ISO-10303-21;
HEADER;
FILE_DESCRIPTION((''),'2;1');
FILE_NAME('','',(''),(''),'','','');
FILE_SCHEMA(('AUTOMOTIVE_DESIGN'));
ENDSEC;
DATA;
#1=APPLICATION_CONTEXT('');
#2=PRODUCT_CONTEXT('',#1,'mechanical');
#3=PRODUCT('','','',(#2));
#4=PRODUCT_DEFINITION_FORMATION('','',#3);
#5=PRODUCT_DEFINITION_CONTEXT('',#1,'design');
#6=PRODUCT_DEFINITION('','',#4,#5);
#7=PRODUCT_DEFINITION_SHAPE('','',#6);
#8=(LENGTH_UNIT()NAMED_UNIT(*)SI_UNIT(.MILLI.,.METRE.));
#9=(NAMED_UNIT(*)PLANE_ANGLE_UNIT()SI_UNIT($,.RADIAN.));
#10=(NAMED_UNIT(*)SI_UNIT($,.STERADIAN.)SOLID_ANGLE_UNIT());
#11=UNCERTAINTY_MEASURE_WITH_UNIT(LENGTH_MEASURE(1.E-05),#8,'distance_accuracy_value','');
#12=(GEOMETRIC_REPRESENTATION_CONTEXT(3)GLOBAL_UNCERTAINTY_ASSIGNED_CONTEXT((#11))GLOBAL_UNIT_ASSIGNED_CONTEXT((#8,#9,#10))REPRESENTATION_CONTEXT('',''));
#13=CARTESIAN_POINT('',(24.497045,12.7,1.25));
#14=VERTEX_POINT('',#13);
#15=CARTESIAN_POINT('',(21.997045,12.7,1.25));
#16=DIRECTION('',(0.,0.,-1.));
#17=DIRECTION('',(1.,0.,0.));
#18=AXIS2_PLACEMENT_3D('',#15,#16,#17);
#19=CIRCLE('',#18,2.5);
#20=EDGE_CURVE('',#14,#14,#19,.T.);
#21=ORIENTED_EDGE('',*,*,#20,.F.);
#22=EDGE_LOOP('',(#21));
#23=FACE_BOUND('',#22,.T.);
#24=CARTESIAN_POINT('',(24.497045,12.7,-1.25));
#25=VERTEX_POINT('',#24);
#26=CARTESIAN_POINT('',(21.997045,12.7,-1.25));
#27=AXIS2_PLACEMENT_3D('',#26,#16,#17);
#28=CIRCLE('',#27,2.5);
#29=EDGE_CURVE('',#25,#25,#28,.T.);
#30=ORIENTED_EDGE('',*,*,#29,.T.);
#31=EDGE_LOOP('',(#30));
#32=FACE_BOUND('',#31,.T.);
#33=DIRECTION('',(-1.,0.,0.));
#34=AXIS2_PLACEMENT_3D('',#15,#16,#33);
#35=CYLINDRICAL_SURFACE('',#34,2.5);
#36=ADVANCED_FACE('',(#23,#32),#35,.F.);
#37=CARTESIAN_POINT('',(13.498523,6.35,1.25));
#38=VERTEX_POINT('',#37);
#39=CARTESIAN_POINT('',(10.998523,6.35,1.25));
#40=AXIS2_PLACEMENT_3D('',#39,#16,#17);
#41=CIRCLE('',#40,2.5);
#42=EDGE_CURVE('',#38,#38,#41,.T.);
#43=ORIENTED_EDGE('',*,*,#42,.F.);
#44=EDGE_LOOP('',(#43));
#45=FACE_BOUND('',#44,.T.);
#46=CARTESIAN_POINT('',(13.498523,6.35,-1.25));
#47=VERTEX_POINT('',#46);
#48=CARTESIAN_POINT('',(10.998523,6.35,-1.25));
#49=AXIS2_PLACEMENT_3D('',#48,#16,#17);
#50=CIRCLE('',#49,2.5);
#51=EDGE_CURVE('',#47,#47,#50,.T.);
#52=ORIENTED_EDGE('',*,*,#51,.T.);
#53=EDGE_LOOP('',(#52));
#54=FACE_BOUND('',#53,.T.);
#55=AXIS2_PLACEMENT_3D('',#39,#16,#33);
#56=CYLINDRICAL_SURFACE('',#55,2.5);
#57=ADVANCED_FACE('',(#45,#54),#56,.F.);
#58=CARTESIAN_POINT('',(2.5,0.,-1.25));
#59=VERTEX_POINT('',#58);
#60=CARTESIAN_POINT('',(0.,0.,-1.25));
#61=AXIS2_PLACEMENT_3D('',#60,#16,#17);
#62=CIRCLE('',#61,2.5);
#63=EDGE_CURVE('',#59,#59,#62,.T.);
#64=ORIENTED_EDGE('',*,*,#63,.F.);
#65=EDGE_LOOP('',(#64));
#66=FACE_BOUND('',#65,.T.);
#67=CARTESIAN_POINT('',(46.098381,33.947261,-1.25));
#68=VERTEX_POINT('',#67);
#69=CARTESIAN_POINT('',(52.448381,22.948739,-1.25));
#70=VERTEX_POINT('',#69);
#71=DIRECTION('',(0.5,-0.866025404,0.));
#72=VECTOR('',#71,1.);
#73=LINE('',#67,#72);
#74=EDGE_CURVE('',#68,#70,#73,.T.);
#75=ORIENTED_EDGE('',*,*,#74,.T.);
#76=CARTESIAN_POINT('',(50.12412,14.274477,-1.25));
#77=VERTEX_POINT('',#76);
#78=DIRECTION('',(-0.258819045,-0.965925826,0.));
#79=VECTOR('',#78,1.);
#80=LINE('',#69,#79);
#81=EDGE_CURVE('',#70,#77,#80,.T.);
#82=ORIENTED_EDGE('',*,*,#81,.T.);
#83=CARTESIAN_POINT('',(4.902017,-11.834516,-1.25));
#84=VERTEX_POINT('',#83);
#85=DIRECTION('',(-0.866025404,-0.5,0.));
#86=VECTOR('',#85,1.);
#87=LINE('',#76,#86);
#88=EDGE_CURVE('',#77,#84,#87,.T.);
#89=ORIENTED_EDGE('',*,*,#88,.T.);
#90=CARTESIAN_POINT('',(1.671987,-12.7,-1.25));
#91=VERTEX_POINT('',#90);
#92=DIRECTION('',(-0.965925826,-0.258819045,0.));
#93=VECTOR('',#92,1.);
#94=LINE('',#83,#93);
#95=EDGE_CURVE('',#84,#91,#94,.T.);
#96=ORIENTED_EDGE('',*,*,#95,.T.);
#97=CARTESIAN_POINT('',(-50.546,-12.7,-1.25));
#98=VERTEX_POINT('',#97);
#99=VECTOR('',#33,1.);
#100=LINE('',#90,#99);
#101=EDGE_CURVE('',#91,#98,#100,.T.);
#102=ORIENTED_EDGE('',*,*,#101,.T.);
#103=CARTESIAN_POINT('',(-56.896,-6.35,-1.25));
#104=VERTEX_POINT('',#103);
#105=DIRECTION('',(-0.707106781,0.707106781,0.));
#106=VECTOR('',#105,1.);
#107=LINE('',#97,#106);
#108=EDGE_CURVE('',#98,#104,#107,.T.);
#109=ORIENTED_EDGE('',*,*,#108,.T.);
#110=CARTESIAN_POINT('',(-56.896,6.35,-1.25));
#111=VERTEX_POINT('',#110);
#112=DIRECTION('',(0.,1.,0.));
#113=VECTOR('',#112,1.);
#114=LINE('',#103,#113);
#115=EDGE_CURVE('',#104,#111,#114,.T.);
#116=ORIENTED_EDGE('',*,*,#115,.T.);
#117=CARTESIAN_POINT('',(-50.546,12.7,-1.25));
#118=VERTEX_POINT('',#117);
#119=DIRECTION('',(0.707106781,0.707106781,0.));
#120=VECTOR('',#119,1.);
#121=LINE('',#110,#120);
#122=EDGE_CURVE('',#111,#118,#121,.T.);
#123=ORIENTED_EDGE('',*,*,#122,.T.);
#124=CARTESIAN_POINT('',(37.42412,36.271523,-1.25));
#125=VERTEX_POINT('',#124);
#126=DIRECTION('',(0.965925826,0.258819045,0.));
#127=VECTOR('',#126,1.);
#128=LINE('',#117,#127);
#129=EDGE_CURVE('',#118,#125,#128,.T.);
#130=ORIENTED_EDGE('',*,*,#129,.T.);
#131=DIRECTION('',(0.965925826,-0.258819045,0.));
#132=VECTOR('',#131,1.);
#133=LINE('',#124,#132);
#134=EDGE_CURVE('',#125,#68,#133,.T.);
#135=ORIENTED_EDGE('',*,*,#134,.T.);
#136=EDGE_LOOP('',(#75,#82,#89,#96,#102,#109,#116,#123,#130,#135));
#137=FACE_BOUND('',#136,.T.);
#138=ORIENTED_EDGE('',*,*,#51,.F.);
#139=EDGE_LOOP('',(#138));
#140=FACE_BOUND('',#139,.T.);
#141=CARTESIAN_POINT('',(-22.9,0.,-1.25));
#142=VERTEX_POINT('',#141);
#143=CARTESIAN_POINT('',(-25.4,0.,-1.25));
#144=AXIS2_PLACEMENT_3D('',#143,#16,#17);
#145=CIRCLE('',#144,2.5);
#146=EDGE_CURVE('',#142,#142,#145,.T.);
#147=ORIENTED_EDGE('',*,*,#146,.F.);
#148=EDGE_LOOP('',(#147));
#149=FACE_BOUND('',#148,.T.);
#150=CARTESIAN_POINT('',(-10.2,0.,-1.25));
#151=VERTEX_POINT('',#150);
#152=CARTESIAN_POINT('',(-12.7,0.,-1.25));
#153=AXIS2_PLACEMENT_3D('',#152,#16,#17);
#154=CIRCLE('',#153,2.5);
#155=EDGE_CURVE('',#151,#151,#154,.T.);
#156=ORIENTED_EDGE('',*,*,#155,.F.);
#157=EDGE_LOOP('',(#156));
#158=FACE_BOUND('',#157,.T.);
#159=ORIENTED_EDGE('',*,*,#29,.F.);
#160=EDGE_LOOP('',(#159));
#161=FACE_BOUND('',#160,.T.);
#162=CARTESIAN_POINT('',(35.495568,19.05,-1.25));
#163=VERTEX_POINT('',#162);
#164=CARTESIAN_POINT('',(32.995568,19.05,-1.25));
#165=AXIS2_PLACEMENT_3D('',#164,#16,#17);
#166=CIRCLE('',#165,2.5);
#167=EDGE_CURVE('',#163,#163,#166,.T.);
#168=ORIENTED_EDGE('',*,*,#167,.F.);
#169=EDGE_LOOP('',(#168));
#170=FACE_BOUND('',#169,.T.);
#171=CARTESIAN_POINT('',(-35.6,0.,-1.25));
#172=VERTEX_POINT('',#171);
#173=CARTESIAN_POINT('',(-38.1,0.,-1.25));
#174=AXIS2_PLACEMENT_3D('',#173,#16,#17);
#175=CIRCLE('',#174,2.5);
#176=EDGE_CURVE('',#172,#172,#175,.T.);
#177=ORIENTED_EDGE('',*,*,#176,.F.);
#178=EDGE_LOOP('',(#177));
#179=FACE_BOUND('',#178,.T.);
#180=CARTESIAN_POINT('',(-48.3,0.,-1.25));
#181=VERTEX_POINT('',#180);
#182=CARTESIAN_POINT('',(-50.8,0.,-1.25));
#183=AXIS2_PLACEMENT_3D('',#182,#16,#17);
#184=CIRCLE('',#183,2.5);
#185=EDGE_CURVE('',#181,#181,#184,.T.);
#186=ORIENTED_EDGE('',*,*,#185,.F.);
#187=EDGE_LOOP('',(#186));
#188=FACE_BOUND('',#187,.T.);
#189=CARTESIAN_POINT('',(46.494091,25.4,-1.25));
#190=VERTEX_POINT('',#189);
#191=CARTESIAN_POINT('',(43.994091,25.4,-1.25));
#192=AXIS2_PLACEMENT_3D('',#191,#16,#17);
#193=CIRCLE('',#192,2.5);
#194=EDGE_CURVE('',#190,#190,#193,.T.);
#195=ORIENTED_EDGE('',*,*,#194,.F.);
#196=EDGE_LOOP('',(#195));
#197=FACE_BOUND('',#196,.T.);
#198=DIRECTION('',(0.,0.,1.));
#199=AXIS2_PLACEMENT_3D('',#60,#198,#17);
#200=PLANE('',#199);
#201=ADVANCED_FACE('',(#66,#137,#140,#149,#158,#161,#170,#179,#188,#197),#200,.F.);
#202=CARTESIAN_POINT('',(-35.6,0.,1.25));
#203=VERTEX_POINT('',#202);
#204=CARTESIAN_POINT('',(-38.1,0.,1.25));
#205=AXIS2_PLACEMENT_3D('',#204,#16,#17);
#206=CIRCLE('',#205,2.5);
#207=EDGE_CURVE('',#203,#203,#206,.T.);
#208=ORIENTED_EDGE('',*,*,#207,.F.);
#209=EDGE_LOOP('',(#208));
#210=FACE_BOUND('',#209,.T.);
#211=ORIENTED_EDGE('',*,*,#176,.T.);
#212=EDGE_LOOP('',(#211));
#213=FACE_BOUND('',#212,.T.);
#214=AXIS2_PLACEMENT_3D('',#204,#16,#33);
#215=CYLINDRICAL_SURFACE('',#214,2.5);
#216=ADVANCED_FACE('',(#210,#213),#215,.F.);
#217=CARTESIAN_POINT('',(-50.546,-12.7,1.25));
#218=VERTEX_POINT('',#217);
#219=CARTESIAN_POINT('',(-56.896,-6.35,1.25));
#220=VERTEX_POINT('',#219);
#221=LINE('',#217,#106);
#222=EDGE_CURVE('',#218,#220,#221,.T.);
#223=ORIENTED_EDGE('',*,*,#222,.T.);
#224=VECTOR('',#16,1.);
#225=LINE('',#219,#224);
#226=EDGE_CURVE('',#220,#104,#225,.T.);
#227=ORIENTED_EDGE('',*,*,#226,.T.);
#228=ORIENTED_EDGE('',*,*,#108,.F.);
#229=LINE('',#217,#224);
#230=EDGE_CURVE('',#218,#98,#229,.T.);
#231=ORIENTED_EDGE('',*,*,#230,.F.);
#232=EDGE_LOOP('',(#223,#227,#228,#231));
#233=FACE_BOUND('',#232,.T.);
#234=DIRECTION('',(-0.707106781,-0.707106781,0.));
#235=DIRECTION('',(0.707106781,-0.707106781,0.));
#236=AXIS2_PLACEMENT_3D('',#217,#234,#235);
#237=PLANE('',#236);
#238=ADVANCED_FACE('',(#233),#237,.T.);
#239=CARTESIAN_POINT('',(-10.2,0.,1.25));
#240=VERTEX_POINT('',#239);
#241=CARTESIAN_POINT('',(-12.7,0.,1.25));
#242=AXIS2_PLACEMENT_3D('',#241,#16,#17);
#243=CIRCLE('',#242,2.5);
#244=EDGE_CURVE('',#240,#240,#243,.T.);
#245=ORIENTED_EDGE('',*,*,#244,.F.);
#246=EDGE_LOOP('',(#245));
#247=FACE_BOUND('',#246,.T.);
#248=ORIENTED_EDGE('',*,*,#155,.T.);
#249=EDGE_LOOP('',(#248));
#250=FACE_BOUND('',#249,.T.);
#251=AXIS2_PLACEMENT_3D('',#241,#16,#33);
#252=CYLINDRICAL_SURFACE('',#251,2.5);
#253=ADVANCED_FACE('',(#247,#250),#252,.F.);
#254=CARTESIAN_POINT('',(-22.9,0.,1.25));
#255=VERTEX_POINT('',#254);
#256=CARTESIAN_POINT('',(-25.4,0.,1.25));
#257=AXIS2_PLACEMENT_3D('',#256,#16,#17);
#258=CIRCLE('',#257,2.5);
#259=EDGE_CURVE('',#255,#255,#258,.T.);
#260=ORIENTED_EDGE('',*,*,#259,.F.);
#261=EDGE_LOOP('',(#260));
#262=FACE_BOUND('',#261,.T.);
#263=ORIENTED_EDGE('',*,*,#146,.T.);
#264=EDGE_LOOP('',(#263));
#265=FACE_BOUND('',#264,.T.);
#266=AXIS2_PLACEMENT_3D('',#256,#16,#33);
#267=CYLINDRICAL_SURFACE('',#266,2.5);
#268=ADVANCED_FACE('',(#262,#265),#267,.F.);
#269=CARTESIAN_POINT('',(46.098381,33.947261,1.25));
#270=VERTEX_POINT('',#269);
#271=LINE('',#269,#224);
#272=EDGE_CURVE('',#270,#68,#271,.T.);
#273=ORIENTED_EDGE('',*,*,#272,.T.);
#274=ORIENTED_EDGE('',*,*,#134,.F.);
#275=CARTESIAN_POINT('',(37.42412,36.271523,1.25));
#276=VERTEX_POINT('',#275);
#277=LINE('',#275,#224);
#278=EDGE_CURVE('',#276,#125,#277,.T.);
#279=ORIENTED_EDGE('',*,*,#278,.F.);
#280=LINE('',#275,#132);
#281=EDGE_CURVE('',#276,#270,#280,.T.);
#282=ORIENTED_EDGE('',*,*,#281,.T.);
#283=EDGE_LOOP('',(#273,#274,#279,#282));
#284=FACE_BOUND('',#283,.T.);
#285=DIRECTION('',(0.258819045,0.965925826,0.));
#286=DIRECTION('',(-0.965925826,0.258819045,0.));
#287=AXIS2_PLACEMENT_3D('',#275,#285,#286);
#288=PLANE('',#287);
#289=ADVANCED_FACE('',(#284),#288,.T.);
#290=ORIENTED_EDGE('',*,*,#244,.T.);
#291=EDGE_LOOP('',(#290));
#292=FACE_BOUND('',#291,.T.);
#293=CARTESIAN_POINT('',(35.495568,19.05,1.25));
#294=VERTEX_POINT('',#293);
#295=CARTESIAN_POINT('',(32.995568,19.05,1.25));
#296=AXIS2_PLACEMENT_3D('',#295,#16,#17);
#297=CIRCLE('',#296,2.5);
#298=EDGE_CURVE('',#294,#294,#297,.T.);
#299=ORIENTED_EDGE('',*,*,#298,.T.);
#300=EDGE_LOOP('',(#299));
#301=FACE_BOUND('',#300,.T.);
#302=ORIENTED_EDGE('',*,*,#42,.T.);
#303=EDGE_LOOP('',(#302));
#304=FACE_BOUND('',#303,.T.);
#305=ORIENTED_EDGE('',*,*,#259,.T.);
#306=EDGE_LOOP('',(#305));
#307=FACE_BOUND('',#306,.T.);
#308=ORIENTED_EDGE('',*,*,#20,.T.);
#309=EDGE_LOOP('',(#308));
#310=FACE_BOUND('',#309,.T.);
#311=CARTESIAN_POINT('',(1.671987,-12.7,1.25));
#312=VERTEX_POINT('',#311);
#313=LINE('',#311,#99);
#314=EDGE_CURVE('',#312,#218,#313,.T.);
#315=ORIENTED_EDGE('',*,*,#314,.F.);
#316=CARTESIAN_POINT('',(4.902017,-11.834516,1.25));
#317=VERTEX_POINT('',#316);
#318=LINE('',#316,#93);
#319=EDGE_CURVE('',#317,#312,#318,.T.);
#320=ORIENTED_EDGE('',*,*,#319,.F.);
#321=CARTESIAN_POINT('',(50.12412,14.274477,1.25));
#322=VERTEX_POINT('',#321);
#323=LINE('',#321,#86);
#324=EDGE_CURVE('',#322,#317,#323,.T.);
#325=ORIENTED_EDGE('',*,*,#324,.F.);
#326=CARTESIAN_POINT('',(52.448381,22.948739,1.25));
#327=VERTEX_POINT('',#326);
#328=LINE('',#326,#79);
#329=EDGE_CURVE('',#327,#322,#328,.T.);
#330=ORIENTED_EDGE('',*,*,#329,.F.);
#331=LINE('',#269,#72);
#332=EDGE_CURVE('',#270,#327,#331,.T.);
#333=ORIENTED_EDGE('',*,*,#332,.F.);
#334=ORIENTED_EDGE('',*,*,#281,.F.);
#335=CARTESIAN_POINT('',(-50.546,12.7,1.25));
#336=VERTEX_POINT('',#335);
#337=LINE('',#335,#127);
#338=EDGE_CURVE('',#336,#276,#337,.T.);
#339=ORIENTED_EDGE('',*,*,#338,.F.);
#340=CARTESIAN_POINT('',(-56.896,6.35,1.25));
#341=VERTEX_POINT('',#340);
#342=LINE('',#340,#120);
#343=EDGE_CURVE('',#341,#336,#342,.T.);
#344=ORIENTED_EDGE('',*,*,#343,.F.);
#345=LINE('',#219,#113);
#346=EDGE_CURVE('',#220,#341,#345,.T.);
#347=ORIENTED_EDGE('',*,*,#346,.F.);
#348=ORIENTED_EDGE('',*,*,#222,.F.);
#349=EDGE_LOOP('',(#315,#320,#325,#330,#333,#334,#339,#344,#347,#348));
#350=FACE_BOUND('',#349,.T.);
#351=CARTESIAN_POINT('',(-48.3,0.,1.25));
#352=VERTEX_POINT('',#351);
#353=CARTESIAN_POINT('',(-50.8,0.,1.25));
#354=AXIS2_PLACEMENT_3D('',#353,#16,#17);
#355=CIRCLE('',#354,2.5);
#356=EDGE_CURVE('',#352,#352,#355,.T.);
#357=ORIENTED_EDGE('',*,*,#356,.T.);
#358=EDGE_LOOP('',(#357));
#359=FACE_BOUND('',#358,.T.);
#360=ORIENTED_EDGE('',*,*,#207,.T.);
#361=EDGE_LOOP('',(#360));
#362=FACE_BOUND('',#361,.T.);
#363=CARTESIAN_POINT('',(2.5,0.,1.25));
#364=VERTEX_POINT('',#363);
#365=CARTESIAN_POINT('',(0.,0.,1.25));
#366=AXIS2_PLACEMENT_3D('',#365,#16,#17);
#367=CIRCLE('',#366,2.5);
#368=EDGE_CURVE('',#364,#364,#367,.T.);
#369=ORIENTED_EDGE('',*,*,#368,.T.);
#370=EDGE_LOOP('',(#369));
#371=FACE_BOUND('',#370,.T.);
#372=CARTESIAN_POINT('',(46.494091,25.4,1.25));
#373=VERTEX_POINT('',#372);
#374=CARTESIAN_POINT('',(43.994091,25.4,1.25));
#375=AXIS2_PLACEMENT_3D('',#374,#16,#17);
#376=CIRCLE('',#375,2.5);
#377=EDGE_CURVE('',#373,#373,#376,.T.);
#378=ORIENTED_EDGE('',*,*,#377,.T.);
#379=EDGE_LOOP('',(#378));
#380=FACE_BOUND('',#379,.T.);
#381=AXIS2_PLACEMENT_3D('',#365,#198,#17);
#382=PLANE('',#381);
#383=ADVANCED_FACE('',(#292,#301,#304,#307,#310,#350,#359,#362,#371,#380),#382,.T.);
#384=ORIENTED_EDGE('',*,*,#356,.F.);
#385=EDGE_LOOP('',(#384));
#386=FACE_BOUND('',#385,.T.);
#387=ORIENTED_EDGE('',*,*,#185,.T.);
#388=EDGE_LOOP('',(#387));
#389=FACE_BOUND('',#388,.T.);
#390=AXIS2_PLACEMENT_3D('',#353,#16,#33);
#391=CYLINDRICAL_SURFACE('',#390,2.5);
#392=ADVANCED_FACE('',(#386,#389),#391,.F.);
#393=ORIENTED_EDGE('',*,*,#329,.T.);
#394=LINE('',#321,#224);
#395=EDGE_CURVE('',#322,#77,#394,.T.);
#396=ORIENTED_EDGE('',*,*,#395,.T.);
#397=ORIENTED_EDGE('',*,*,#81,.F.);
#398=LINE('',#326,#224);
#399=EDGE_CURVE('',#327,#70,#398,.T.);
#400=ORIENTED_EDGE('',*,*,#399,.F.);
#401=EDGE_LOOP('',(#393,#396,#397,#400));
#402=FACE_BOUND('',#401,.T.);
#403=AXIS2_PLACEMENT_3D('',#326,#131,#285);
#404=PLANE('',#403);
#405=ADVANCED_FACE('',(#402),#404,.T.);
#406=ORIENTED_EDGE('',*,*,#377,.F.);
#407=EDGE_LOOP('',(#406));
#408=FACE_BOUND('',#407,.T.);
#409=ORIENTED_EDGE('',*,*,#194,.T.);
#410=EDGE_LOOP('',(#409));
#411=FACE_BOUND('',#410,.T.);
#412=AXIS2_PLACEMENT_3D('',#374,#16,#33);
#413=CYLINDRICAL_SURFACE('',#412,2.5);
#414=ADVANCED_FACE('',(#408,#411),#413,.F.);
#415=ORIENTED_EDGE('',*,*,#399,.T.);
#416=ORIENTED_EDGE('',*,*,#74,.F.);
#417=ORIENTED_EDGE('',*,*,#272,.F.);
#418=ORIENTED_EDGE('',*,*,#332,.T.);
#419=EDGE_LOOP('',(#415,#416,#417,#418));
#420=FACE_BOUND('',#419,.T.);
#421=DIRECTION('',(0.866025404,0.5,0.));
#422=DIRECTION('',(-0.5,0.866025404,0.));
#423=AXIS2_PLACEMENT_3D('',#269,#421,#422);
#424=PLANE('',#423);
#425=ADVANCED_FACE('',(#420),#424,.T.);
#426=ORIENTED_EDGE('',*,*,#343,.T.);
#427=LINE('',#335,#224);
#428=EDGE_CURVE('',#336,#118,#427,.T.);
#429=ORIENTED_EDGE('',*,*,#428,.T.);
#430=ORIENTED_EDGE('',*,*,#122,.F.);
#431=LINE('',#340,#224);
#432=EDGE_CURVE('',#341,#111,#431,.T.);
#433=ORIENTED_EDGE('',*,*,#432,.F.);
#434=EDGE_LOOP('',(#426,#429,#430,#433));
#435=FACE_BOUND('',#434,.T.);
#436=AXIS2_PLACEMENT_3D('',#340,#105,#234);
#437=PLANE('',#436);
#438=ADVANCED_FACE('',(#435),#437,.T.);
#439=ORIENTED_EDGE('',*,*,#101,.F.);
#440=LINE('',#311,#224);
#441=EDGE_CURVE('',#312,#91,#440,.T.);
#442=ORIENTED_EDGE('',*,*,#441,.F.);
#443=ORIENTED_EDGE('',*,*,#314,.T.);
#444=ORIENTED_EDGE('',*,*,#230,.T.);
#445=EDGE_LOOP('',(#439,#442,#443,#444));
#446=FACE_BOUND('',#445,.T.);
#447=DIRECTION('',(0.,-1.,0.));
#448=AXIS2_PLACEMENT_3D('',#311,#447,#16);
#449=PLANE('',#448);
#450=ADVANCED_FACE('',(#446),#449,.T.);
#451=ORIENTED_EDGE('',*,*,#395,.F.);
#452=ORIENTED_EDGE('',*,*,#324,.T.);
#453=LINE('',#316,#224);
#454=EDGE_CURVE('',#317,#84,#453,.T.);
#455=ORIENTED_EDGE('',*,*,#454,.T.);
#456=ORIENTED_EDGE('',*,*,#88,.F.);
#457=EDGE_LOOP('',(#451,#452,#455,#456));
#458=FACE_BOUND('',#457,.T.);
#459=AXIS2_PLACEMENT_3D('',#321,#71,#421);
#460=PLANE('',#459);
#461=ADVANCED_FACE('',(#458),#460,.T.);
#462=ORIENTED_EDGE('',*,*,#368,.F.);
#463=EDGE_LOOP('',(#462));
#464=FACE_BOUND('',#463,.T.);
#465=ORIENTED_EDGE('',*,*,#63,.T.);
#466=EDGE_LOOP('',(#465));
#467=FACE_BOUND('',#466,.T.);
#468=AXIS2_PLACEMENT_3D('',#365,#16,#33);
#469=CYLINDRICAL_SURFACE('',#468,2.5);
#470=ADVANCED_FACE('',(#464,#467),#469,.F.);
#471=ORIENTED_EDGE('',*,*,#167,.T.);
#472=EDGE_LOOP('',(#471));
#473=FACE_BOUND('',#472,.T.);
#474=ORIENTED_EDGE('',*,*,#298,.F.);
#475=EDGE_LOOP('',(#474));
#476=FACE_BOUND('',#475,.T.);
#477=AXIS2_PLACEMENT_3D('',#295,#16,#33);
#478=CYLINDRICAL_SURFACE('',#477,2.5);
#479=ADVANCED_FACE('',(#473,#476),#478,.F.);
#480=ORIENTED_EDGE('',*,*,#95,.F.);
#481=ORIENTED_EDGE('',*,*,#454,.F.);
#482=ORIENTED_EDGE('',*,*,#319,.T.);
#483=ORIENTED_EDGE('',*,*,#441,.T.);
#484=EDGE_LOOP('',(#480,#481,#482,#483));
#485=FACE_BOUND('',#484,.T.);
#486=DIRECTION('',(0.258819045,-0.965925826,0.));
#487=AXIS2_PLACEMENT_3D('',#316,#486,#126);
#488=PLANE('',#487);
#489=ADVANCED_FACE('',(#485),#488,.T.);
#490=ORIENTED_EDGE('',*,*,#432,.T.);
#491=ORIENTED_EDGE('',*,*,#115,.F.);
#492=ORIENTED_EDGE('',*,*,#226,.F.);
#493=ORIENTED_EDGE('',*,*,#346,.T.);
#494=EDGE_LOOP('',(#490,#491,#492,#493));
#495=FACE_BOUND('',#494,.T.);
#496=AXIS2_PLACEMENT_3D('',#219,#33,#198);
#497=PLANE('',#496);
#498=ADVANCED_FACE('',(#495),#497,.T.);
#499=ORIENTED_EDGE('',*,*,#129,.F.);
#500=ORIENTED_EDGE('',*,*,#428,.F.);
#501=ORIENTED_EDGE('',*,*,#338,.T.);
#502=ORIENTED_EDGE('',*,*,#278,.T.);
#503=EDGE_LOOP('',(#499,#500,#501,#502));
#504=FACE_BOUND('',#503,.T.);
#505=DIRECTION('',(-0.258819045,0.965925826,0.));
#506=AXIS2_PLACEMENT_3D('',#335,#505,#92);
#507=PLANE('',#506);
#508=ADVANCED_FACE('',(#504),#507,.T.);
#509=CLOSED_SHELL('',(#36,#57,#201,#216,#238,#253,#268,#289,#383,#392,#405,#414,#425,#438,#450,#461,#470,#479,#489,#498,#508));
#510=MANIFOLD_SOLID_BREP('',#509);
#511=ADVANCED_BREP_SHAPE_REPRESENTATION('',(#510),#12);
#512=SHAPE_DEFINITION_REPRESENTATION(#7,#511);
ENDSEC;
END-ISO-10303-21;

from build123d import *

# Parameters (mm, degrees)
SKETCH1_R           = 2.5
BOSS_EXTRUDE1_DEPTH = 2.5


with BuildPart() as part:
    # Sketch1 → Boss-Extrude1 (new body)
    with BuildSketch(Plane(origin=(0, 0, -1.25), x_dir=(-1, 0, 0), z_dir=(0, 0, -1))):
        Polygon((50.546, 12.7), (-37.42412006, 36.271522628), (-46.098381374, 33.947261314), (-52.448381374, 22.948738686), (-50.12412006, 14.274477372), (-4.902017026, -11.834515988), (-1.671986719, -12.7), (50.546, -12.7), (56.896, -6.35), (56.896, 6.35), align=None)
        with Locations((12.7, 0)):
            Circle(SKETCH1_R, mode=Mode.SUBTRACT)
        with Locations((25.4, 0)):
            Circle(SKETCH1_R, mode=Mode.SUBTRACT)
        Circle(SKETCH1_R, mode=Mode.SUBTRACT)
        with Locations((50.8, 0)):
            Circle(SKETCH1_R, mode=Mode.SUBTRACT)
        with Locations((38.1, 0)):
            Circle(SKETCH1_R, mode=Mode.SUBTRACT)
        with Locations((-43.994090512, 25.4)):
            Circle(SKETCH1_R, mode=Mode.SUBTRACT)
        with Locations((-32.995567884, 19.05)):
            Circle(SKETCH1_R, mode=Mode.SUBTRACT)
        with Locations((-21.997045256, 12.7)):
            Circle(SKETCH1_R, mode=Mode.SUBTRACT)
        with Locations((-10.998522628, 6.35)):
            Circle(SKETCH1_R, mode=Mode.SUBTRACT)
    extrude(amount=-BOSS_EXTRUDE1_DEPTH)


solid = part.part
